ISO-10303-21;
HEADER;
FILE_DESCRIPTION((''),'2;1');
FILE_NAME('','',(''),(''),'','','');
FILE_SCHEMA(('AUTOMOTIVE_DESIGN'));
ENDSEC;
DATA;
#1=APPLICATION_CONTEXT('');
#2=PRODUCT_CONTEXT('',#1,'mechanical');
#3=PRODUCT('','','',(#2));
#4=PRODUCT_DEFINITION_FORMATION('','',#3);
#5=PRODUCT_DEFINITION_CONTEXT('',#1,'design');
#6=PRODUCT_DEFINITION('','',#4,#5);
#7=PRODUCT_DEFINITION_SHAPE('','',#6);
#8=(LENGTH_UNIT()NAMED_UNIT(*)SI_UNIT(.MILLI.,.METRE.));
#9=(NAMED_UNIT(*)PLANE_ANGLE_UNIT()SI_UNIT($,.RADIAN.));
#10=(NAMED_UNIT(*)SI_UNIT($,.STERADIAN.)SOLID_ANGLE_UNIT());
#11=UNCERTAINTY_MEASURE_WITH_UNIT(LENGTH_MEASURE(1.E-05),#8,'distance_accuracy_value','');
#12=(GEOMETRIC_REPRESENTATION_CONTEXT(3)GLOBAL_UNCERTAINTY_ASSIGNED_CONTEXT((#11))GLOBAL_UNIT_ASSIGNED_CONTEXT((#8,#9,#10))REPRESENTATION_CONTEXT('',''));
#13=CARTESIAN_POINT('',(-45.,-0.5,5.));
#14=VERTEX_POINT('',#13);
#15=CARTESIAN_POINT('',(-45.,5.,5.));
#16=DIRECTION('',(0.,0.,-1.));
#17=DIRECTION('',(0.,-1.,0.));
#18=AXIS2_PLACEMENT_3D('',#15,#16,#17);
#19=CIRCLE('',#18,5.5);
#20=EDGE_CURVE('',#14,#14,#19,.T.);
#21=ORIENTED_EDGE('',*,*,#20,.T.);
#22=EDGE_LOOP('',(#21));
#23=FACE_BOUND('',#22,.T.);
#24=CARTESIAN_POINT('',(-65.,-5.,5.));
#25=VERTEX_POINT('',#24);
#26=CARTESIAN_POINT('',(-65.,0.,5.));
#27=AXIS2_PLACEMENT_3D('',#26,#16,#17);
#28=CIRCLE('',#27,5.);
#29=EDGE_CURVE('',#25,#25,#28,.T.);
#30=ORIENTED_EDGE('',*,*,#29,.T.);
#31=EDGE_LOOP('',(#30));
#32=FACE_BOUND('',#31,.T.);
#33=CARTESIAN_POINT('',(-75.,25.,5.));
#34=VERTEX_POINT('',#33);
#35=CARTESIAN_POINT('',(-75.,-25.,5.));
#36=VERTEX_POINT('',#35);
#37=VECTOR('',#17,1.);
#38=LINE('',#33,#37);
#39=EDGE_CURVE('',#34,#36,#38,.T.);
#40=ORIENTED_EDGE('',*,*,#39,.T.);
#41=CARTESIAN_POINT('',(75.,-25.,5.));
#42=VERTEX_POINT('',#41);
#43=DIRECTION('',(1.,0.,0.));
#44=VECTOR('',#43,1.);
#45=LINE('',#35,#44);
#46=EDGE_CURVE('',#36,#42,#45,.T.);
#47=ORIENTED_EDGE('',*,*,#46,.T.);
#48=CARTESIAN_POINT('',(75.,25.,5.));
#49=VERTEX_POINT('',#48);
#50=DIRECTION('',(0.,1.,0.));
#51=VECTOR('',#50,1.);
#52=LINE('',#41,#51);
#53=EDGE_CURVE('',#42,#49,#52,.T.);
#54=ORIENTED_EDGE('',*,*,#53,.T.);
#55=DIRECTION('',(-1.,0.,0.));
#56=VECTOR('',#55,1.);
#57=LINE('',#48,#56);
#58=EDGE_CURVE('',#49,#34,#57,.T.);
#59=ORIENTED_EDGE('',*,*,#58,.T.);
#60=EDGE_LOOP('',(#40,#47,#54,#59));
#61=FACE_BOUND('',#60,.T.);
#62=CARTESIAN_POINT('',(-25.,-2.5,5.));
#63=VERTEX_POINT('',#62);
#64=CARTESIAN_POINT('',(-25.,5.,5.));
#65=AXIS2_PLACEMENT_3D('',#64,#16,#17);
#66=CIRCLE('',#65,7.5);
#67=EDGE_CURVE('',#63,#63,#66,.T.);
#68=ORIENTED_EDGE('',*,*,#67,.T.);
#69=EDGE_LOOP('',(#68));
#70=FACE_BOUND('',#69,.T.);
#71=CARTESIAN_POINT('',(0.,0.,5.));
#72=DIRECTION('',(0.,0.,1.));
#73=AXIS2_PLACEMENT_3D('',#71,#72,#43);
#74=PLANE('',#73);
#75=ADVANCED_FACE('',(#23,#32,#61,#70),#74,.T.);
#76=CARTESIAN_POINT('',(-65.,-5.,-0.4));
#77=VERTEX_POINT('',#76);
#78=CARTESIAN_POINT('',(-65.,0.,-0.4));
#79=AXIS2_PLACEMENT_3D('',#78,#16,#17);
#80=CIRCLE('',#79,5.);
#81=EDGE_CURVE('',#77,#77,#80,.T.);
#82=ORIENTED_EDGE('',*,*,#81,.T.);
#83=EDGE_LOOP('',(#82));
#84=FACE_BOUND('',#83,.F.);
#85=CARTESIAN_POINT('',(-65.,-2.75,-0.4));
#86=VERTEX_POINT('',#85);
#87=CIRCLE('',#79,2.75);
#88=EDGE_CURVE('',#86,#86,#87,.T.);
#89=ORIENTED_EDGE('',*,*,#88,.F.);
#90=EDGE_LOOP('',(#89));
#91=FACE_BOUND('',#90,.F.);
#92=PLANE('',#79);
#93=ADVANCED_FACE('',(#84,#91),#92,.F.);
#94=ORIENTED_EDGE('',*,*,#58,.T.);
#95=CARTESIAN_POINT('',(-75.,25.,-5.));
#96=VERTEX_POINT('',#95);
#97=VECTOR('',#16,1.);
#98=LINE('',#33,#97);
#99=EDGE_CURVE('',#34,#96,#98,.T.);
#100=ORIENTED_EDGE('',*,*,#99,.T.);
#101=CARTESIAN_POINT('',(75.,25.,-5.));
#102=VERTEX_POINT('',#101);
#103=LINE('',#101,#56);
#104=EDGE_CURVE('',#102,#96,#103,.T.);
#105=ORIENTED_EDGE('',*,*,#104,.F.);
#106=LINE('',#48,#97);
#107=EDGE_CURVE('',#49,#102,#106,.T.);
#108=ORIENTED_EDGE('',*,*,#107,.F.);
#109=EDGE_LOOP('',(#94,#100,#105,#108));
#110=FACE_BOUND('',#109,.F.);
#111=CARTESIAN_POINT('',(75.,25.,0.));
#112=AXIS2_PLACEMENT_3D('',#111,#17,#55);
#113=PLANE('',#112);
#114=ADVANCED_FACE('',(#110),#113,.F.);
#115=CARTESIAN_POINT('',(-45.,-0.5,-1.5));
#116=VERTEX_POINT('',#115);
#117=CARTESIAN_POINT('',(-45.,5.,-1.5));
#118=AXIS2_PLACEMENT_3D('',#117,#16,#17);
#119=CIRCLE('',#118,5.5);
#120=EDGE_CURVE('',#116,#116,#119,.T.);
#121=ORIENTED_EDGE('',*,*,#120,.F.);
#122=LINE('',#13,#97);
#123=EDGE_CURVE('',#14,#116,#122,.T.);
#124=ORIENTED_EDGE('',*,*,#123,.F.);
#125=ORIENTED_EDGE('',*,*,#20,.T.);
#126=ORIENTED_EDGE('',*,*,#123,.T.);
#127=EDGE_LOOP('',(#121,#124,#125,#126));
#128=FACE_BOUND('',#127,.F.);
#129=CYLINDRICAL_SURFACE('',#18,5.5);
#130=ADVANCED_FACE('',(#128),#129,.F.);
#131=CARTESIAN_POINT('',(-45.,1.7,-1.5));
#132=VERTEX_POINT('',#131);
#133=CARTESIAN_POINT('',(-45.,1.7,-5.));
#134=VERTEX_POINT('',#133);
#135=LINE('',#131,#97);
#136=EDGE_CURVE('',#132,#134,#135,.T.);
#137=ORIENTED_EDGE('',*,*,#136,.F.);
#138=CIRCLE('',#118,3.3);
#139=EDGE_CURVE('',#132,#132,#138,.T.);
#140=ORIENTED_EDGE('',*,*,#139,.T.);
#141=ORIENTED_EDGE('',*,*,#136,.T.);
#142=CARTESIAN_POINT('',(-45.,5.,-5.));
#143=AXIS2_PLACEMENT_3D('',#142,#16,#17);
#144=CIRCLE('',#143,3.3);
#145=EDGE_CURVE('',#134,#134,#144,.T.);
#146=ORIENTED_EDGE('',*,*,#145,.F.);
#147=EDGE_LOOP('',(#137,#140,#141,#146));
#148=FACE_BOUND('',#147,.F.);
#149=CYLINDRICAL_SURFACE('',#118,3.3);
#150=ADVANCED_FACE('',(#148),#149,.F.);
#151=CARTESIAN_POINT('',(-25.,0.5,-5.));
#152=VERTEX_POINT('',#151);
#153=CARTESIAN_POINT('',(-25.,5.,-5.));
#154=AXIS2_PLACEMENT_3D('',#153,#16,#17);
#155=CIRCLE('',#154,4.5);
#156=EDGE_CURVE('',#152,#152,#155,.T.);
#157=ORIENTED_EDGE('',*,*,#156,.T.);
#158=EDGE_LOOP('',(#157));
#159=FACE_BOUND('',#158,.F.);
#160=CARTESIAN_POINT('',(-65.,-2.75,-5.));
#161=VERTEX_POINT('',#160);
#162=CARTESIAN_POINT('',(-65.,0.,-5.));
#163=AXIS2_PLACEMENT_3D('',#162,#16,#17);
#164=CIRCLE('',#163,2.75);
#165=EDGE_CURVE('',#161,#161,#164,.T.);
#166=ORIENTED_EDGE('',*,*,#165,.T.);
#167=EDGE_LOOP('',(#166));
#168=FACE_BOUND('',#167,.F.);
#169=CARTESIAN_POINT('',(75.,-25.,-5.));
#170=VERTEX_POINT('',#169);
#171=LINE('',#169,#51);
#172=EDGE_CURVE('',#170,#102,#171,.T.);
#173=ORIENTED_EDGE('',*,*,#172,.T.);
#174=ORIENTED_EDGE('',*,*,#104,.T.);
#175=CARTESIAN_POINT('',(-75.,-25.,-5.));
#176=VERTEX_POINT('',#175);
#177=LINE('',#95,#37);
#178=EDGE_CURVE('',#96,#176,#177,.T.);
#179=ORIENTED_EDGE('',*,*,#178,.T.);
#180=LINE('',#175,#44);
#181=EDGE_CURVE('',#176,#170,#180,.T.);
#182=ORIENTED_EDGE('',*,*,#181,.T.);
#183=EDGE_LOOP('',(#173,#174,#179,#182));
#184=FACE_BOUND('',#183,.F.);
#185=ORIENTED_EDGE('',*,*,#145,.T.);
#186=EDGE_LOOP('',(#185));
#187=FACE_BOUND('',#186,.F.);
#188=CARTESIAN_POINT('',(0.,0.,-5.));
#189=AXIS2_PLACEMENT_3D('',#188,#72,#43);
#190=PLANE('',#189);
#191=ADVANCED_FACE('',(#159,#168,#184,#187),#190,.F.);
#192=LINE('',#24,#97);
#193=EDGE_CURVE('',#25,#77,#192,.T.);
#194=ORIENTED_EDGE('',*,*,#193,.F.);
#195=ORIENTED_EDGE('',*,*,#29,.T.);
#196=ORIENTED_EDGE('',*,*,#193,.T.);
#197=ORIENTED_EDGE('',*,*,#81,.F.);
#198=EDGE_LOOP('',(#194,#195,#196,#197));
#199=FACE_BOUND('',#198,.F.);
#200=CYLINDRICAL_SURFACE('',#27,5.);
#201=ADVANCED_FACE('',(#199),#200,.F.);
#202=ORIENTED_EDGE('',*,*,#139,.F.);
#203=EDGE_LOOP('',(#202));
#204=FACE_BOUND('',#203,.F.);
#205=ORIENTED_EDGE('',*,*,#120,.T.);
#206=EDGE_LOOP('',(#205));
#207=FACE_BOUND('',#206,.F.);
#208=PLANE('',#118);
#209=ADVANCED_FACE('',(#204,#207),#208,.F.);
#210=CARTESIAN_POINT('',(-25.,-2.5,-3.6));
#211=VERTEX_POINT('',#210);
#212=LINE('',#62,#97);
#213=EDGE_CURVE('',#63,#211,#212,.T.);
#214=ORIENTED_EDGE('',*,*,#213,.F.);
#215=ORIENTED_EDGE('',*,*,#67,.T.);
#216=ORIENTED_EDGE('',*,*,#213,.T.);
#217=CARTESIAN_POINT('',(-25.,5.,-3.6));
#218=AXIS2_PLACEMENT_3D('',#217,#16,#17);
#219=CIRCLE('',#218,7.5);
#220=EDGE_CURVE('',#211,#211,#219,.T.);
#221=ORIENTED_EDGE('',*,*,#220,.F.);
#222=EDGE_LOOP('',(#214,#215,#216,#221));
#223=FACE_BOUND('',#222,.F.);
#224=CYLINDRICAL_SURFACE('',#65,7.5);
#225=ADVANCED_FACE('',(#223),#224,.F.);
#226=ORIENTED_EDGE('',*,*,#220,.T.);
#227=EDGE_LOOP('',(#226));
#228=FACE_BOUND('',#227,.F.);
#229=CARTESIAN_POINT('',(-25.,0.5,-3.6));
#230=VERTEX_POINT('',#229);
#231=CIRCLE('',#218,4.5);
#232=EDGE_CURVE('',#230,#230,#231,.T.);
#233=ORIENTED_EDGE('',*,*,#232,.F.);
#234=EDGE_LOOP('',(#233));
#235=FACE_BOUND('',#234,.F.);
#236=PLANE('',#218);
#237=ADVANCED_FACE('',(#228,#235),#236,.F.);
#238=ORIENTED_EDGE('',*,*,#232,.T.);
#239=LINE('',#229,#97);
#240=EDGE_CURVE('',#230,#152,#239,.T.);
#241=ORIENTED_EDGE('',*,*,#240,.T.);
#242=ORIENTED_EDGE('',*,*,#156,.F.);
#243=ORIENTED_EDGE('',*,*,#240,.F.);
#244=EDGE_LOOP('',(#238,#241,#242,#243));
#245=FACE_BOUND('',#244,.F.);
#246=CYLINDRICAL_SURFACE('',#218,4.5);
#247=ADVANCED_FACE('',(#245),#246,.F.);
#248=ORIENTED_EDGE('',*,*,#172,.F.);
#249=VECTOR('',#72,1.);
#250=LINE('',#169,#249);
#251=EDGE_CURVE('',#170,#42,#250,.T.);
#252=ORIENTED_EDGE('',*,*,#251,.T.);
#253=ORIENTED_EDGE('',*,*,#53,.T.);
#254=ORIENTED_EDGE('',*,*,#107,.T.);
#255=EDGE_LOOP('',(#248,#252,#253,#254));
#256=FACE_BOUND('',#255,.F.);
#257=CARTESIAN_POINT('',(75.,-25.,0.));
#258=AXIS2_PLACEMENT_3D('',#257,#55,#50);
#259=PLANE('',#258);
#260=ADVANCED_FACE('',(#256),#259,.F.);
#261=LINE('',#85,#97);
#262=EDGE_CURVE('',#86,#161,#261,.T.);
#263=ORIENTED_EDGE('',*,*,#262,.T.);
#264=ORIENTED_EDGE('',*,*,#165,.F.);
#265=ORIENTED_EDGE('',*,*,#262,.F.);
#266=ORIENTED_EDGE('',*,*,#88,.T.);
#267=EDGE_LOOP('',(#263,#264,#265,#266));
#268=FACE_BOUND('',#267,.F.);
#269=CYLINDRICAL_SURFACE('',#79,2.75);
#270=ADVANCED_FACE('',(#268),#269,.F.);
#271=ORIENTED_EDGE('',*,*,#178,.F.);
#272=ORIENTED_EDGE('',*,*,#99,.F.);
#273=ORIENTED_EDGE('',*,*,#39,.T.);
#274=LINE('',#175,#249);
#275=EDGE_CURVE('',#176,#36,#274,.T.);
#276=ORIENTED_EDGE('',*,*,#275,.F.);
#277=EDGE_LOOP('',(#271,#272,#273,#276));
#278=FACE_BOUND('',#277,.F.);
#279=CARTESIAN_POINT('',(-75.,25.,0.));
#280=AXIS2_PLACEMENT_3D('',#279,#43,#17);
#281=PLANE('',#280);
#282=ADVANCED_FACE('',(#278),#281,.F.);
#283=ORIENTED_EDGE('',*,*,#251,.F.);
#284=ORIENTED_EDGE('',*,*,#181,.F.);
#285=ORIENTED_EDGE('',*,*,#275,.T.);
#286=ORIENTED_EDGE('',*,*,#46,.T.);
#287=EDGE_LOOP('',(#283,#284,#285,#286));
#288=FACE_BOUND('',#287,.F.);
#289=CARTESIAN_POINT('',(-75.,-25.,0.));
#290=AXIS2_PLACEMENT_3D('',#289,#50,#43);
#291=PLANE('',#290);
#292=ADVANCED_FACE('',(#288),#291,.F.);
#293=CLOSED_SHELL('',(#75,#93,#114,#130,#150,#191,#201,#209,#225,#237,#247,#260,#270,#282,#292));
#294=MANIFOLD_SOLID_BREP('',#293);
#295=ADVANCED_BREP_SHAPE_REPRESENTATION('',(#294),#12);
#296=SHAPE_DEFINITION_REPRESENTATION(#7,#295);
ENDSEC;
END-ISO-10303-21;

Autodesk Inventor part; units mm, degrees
ref_plane "YZ Plane" through (0, 0, 0) normal (1, 0, 0) x (0, 1, 0)
ref_plane "XZ Plane" through (0, 0, 0) normal (0, 1, 0) x (-1, 0, 0)
ref_plane "XY Plane" through (0, 0, 0) normal (0, 0, 1) x (1, 0, 0)
sketch "Sketch2" plane through (0, 0, 0) normal (0, 0, 1) x (1, 0, 0)
  line L0 (-75, -25) -> (75, -25)
  line L1 (75, -25) -> (75, 25)
  line L2 (75, 25) -> (-75, 25)
  line L3 (-75, 25) -> (-75, -25)
  line L4 (-75, -25) -> (75, 25) construction
  line L5 (75, -25) -> (-75, 25) construction
  point P0 (0, 0)
  dimension "d1" = 150
  dimension "d2" = 50
extrude "Extrusion1" add sketch "Sketch2" along normal mid plane 10
sketch "Sketch3" plane through (0, 0, 5) normal (0, 0, 1) x (1, 0, 0)
  line L0 (-75, 25) -> (-75, -25) projected
  line L1 (75, 25) -> (-75, 25) projected
  point P0 (0, 0)
  point P1 (-65, 0)
  dimension "d40" = 10
  dimension "d43" = 25
hole "Hole1" at (-65, 0, 5) direction (0, 0, -1) diameter 5.5 depth 14.2 tip angle 118 counterbore diameter 10 counterbore depth 5.4 clearance for "Socket Head Cap Screw" size "M5" standard "TS Profile"
sketch "Sketch4" plane through (0, 0, 5) normal (0, 0, 1) x (1, 0, 0)
  line L0 (-75, 25) -> (-75, -25) projected
  line L1 (75, 25) -> (-75, 25) projected
  point P0 (0, 0)
  point P1 (-45, 5)
  dimension "d41" = 30
  dimension "d42" = 20
hole "Hole2" at (-45, 5, 5) direction (0, 0, -1) diameter 6.6 depth 14.2 tip angle 118 counterbore diameter 11 counterbore depth 6.5 clearance for "Socket Head Cap Screw" size "M6" standard "TS Profile"
sketch "Sketch5" plane through (0, 0, 5) normal (0, 0, 1) x (1, 0, 0)
  line L0 (-75, 25) -> (-75, -25) projected
  line L1 (75, 25) -> (-75, 25) projected
  point P0 (0, 0)
  point P1 (-25, 5)
  dimension "d44" = 50
  dimension "d45" = 20
hole "Hole3" at (-25, 5, 5) direction (0, 0, -1) diameter 9 depth 14.2 tip angle 118 counterbore diameter 15 counterbore depth 8.6 clearance for "Socket Head Cap Screw" size "M8" standard "TS Profile"
properties part number "홀간 거리 확인 파트-6" material "SS400"
